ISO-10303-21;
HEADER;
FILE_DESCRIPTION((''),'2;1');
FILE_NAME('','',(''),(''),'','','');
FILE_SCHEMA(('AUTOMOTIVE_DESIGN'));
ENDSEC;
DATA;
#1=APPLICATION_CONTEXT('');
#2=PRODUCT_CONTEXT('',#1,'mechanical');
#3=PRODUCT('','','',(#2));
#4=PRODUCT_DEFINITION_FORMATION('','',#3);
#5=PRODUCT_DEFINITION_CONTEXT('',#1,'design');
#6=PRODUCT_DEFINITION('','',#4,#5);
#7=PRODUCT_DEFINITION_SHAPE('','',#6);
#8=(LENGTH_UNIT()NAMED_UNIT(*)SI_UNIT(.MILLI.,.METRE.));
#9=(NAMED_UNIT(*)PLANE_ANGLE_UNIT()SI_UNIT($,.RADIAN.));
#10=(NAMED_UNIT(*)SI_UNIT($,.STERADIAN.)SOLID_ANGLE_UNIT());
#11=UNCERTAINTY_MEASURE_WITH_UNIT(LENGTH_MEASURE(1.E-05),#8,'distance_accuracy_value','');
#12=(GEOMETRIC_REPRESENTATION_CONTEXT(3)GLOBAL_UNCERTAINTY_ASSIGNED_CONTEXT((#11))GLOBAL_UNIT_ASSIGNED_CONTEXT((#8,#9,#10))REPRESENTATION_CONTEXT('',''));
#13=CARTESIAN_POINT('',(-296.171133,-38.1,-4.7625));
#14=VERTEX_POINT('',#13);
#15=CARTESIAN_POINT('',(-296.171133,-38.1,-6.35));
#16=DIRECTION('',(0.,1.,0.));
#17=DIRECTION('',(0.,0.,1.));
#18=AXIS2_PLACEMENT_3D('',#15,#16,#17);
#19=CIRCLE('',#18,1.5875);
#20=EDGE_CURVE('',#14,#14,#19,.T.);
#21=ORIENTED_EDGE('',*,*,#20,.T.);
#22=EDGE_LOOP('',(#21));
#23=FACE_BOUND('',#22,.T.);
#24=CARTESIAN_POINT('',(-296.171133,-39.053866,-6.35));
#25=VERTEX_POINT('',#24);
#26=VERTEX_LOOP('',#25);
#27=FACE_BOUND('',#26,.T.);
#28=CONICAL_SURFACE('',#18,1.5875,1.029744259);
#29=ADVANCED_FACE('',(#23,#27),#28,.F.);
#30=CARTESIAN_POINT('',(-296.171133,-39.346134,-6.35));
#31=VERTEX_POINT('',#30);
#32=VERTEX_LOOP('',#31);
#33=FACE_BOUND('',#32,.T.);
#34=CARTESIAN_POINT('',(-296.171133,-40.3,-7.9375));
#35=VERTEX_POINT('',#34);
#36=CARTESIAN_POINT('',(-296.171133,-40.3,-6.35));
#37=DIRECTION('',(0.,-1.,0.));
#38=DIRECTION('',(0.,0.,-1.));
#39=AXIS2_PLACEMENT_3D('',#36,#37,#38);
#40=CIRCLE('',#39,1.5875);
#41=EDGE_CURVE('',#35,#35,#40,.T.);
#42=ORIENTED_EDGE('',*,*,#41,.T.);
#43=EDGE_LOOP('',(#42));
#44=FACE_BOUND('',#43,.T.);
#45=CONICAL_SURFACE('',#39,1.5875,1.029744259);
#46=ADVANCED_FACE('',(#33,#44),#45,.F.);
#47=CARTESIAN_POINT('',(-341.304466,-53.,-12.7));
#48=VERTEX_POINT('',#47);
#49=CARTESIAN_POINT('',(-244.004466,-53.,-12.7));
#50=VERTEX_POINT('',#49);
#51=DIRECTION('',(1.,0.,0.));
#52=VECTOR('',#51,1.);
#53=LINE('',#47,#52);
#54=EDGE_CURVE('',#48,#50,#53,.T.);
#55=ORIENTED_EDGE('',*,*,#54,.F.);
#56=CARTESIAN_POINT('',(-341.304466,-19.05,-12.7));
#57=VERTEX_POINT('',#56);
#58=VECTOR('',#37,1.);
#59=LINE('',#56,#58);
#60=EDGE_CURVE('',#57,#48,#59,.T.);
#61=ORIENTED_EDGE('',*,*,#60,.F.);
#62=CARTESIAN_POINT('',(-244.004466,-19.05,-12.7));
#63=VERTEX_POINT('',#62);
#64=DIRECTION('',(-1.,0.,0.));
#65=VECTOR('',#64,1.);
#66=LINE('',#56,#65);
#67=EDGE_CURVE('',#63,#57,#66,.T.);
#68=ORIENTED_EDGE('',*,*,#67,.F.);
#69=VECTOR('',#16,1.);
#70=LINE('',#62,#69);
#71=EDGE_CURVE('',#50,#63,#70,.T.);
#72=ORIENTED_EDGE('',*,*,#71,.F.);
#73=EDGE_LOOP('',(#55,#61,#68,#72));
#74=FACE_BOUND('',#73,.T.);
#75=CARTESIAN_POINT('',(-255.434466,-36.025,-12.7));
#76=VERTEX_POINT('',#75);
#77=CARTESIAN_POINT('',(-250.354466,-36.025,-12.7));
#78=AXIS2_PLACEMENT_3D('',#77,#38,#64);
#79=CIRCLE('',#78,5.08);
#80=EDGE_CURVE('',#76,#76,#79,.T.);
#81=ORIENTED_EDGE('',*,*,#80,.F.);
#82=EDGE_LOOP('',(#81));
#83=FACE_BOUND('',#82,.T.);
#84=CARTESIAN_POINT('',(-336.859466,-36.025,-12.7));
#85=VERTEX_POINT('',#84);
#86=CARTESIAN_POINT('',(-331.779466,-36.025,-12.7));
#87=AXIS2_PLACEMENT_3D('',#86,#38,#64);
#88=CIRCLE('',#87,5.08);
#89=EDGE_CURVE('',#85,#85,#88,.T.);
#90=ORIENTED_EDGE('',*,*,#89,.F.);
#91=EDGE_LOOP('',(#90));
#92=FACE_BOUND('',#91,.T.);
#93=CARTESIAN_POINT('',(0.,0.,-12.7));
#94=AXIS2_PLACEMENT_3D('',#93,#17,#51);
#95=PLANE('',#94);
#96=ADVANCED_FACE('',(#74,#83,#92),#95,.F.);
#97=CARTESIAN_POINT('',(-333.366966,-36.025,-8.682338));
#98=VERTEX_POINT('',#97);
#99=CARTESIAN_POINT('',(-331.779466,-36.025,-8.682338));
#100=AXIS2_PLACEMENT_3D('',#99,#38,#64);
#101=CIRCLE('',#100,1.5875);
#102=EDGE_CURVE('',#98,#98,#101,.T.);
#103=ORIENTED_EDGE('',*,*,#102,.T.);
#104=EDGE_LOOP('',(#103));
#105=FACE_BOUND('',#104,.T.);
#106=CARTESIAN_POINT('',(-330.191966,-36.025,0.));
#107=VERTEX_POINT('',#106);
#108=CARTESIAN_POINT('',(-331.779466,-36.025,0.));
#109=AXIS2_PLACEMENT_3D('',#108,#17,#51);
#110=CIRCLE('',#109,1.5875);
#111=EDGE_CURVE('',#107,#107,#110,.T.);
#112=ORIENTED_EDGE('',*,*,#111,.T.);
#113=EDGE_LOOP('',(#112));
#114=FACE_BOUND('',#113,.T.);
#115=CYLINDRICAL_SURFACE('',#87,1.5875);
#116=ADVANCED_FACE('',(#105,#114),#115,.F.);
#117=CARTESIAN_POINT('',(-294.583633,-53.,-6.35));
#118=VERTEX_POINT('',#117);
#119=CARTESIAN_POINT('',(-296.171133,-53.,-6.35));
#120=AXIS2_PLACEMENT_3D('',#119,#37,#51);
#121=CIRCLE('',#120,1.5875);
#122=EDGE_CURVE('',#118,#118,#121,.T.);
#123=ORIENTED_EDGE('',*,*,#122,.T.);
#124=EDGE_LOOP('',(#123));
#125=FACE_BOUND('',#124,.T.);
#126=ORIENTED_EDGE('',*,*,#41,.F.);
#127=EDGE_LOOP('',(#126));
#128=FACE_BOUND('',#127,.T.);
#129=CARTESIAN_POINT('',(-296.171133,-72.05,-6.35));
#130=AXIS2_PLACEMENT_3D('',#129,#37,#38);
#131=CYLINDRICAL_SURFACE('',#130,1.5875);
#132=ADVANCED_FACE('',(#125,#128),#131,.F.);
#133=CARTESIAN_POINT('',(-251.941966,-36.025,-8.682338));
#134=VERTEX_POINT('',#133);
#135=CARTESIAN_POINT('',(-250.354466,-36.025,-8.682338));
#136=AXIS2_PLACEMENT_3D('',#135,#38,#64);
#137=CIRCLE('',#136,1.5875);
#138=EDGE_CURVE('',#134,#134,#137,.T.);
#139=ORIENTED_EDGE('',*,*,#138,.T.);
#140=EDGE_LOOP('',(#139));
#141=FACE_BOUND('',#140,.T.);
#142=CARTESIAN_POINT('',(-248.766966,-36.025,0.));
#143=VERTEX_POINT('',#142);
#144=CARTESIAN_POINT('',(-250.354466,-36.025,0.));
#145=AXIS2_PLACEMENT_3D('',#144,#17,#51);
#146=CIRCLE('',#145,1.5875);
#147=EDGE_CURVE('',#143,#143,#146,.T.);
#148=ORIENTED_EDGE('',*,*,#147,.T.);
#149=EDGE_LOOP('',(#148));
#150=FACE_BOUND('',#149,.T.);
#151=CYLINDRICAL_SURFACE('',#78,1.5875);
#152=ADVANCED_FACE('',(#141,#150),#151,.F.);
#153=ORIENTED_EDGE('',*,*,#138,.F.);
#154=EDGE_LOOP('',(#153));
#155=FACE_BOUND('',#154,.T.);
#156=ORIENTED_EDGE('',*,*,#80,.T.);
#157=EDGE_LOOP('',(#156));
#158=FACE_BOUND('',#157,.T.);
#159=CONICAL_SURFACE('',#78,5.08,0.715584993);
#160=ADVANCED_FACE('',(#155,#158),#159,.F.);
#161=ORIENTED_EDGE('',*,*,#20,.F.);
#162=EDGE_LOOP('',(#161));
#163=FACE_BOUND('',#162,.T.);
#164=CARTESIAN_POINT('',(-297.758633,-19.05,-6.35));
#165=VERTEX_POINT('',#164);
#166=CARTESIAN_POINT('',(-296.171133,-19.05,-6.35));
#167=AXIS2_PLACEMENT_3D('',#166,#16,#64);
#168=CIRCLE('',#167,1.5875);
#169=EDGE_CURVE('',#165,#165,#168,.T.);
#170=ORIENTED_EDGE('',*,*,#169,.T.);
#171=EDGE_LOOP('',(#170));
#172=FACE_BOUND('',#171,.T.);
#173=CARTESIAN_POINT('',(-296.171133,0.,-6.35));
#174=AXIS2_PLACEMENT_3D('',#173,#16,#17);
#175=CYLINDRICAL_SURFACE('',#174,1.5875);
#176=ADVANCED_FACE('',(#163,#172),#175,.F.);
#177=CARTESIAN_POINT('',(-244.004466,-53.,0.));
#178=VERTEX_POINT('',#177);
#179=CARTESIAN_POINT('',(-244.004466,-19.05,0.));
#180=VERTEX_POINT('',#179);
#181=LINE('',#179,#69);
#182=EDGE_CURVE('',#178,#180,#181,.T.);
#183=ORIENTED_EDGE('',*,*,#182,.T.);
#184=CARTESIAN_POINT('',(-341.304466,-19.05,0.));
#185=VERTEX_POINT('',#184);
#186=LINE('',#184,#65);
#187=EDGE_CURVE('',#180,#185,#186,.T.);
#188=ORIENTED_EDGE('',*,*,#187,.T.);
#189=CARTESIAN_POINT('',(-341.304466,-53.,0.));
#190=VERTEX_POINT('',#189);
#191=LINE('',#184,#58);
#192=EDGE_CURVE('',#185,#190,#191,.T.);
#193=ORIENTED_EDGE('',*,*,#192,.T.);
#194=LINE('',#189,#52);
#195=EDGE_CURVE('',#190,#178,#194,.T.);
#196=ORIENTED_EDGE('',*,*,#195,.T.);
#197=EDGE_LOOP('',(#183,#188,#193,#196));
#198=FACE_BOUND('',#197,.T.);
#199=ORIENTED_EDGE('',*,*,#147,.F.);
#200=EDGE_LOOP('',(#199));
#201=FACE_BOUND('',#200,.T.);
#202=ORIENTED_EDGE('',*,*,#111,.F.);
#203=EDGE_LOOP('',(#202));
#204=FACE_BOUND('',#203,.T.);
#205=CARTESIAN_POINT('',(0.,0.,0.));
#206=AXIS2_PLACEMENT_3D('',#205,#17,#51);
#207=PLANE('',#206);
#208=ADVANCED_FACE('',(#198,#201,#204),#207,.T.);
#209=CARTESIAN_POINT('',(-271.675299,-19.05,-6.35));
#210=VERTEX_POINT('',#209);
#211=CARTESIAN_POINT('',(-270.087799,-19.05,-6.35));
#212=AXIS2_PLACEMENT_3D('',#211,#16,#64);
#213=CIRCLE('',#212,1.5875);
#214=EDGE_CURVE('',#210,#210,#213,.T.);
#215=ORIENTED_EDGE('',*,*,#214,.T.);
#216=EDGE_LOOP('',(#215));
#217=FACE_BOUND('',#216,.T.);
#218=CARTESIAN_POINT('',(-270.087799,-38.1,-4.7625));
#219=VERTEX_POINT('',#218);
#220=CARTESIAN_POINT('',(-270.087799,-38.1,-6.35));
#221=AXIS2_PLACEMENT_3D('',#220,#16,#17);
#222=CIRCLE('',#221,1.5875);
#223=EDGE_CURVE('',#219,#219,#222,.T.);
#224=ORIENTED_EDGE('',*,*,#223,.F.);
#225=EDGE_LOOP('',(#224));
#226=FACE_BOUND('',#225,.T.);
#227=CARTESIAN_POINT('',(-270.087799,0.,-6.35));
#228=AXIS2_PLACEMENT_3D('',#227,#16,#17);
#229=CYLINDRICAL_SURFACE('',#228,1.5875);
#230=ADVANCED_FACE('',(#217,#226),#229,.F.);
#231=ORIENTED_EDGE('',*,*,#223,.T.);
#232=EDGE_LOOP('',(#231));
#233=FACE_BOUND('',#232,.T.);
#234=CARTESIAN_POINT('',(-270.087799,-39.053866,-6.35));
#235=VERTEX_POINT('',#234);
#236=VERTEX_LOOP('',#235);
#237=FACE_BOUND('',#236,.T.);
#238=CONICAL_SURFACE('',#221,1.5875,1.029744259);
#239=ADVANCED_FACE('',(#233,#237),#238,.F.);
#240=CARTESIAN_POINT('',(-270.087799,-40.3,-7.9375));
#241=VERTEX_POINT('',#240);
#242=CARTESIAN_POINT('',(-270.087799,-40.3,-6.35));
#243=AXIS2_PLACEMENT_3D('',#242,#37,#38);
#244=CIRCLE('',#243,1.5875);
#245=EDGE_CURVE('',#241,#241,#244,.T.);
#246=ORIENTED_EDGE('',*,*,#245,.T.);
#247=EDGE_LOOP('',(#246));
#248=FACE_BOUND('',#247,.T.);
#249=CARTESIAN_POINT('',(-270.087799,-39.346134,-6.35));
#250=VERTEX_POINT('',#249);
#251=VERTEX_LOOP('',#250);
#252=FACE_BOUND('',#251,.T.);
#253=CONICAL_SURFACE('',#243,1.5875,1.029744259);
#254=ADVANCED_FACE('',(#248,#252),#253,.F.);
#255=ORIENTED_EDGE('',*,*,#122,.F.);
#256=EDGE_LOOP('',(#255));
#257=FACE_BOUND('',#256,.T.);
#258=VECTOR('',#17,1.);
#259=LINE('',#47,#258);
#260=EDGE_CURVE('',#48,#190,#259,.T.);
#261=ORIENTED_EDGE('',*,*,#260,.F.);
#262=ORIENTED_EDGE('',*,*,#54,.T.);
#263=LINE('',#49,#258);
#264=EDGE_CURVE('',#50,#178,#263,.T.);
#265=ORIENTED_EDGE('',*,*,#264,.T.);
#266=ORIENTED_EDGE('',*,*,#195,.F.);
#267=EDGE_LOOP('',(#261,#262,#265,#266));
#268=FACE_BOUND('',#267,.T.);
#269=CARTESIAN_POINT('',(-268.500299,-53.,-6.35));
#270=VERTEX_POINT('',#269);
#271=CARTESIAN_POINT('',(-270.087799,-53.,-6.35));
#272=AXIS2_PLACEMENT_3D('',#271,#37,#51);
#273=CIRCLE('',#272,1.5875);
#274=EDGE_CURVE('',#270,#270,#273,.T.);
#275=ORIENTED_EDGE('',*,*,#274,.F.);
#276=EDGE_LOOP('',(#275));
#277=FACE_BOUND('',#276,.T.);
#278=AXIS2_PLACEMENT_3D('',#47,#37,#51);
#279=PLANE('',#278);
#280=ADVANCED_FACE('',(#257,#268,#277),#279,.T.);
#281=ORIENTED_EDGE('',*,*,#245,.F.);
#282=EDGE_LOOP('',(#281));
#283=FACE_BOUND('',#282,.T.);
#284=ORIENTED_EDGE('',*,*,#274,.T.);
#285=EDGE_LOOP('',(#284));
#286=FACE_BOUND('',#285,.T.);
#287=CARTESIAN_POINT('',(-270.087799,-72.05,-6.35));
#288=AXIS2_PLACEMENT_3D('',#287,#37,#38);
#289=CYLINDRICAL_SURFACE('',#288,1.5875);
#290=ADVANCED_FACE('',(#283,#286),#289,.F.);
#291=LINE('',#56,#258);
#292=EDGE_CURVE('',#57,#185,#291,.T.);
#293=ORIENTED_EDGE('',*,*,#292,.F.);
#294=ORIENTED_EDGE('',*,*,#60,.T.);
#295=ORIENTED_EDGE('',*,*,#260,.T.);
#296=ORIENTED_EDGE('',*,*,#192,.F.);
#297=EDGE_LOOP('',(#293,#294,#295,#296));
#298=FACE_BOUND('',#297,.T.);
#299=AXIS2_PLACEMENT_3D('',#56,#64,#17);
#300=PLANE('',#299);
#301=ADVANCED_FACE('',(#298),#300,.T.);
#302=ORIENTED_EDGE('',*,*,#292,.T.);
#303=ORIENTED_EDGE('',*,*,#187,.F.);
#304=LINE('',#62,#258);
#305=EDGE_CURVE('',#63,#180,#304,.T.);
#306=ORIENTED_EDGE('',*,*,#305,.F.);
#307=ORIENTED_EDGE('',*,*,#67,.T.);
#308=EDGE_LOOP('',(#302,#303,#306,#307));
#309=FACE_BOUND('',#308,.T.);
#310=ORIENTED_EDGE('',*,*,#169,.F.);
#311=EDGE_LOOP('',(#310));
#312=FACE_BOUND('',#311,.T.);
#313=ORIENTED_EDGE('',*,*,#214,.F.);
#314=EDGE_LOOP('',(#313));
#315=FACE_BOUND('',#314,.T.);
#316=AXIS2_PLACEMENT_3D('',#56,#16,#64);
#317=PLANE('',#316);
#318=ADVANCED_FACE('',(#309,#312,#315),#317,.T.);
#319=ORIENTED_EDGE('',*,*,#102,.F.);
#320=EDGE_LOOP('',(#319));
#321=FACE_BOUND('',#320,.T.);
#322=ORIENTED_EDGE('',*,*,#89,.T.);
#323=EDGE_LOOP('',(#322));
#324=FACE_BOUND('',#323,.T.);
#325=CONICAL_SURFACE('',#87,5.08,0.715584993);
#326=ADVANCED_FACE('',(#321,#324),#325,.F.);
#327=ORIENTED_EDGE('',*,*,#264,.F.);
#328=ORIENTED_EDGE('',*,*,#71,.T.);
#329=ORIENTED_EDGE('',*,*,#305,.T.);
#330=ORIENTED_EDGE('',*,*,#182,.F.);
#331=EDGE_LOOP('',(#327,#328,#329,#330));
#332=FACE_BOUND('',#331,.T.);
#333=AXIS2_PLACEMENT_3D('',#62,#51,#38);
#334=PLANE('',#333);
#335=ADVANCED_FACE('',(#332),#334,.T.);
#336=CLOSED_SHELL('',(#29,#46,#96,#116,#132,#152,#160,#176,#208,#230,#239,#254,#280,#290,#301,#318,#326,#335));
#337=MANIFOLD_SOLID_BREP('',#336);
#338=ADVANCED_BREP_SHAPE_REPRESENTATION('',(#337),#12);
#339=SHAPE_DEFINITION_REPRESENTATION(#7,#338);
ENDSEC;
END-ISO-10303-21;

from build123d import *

# Parameters (mm, degrees)
SKETCH1_W           = 97.3
SKETCH1_H           = 33.95
BOSS_EXTRUDE1_DEPTH = 12.7
HOLE1_D             = 3.175
HOLE1_DEPTH         = 31.75
HOLE1_CSINK_D       = 10.16
HOLE1_CSINK_ANGLE   = 82
HOLE1_TIP           = 0.953866233
HOLE2_D             = 3.175
HOLE2_DEPTH         = 31.75
HOLE2_CSINK_D       = 10.16
HOLE2_CSINK_ANGLE   = 82
HOLE2_TIP           = 0.953866233
HOLE5_D             = 3.175
HOLE5_DEPTH         = 31.75
HOLE5_CSINK_D       = 10.16
HOLE5_CSINK_ANGLE   = 82
HOLE5_TIP           = 0.953866233
HOLE6_D             = 3.175
HOLE6_DEPTH         = 31.75
HOLE6_CSINK_D       = 10.16
HOLE6_CSINK_ANGLE   = 82
HOLE6_TIP           = 0.953866233


with BuildPart() as part:
    # Sketch1 → Boss-Extrude1 (new body)
    with BuildSketch(Plane.XY):
        with Locations((-292.654465963, -36.025)):
            Rectangle(SKETCH1_W, SKETCH1_H)
    extrude(amount=-BOSS_EXTRUDE1_DEPTH)

    # Hole1
    with Locations(Plane(origin=(-124.004465969, 0, -10.424290059), x_dir=(-1, 0, 0), z_dir=(0, 1, 0))):
        with Locations((126.349999994, 161.374290059), (146.083333327, 4.074290059), (172.166666661, 4.074290059), (126.349999994, 34.524290059), (126.349999994, 130.924290059), (-172.166666661, 4.074290059), (-146.083333327, 4.074290059), (-126.349999994, 34.524290059), (-126.349999994, 130.924290059), (-126.349999994, 161.374290059)):
            CounterSinkHole(HOLE1_D / 2, HOLE1_CSINK_D / 2, depth=HOLE1_DEPTH, counter_sink_angle=HOLE1_CSINK_ANGLE)
            with Locations((0, 0, -(HOLE1_DEPTH + HOLE1_TIP / 2))):  # 118° drill point
                Cone(0, HOLE1_D / 2, HOLE1_TIP, mode=Mode.SUBTRACT)

    # Hole2
    with Locations(Plane(origin=(-124.004465969, -72.05, -10.424290059), x_dir=(1, 0, 0), z_dir=(0, -1, 0))):
        with Locations((126.349999994, 161.374290059), (146.083333327, 4.074290059), (172.166666661, 4.074290059), (126.349999994, 34.524290059), (126.349999994, 130.924290059), (-172.166666661, 4.074290059), (-146.083333327, 4.074290059), (-126.349999994, 34.524290059), (-126.349999994, 130.924290059), (-126.349999994, 161.374290059)):
            CounterSinkHole(HOLE2_D / 2, HOLE2_CSINK_D / 2, depth=HOLE2_DEPTH, counter_sink_angle=HOLE2_CSINK_ANGLE)
            with Locations((0, 0, -(HOLE2_DEPTH + HOLE2_TIP / 2))):  # 118° drill point
                Cone(0, HOLE2_D / 2, HOLE2_TIP, mode=Mode.SUBTRACT)

    # Hole5
    with Locations(Plane(origin=(-124.004465969, -208.286738577, -12.7), x_dir=(-1, 0, 0), z_dir=(0, 0, -1))):
        with Locations((207.774999994, 172.261738577), (126.349999994, 172.261738577)):
            CounterSinkHole(HOLE5_D / 2, HOLE5_CSINK_D / 2, depth=HOLE5_DEPTH, counter_sink_angle=HOLE5_CSINK_ANGLE)
            with Locations((0, 0, -(HOLE5_DEPTH + HOLE5_TIP / 2))):  # 118° drill point
                Cone(0, HOLE5_D / 2, HOLE5_TIP, mode=Mode.SUBTRACT)

    # Hole6
    with Locations(Plane(origin=(-124.004465969, -6.35, -10.424290059), x_dir=(-1, 0, 0), z_dir=(0, 1, 0))):
        with Locations((-207.774999994, 333.02141023), (-207.774999994, 225.48903684), (-207.774999994, 137.424290059), (-172.166666661, 4.074290059), (-146.083333327, 4.074290059), (-94.599999994, 161.374290059), (94.599999994, 161.374290059), (146.083333327, 4.074290059), (172.166666661, 4.074290059), (207.774999994, 137.424290059), (207.774999994, 225.48903684), (207.774999994, 333.02141023), (166.795833328, 301.970350905), (40.979166666, 301.970350905), (-40.979166666, 301.970350905), (-166.795833328, 301.970350905), (0, 193.124290059), (0, 301.970350905), (0, 412.366411751), (-126.349999994, 106.824290059), (-126.349999994, 58.624290059), (126.349999994, 58.624290059), (126.349999994, 106.824290059)):
            CounterSinkHole(HOLE6_D / 2, HOLE6_CSINK_D / 2, depth=HOLE6_DEPTH, counter_sink_angle=HOLE6_CSINK_ANGLE)
            with Locations((0, 0, -(HOLE6_DEPTH + HOLE6_TIP / 2))):  # 118° drill point
                Cone(0, HOLE6_D / 2, HOLE6_TIP, mode=Mode.SUBTRACT)


solid = part.part
